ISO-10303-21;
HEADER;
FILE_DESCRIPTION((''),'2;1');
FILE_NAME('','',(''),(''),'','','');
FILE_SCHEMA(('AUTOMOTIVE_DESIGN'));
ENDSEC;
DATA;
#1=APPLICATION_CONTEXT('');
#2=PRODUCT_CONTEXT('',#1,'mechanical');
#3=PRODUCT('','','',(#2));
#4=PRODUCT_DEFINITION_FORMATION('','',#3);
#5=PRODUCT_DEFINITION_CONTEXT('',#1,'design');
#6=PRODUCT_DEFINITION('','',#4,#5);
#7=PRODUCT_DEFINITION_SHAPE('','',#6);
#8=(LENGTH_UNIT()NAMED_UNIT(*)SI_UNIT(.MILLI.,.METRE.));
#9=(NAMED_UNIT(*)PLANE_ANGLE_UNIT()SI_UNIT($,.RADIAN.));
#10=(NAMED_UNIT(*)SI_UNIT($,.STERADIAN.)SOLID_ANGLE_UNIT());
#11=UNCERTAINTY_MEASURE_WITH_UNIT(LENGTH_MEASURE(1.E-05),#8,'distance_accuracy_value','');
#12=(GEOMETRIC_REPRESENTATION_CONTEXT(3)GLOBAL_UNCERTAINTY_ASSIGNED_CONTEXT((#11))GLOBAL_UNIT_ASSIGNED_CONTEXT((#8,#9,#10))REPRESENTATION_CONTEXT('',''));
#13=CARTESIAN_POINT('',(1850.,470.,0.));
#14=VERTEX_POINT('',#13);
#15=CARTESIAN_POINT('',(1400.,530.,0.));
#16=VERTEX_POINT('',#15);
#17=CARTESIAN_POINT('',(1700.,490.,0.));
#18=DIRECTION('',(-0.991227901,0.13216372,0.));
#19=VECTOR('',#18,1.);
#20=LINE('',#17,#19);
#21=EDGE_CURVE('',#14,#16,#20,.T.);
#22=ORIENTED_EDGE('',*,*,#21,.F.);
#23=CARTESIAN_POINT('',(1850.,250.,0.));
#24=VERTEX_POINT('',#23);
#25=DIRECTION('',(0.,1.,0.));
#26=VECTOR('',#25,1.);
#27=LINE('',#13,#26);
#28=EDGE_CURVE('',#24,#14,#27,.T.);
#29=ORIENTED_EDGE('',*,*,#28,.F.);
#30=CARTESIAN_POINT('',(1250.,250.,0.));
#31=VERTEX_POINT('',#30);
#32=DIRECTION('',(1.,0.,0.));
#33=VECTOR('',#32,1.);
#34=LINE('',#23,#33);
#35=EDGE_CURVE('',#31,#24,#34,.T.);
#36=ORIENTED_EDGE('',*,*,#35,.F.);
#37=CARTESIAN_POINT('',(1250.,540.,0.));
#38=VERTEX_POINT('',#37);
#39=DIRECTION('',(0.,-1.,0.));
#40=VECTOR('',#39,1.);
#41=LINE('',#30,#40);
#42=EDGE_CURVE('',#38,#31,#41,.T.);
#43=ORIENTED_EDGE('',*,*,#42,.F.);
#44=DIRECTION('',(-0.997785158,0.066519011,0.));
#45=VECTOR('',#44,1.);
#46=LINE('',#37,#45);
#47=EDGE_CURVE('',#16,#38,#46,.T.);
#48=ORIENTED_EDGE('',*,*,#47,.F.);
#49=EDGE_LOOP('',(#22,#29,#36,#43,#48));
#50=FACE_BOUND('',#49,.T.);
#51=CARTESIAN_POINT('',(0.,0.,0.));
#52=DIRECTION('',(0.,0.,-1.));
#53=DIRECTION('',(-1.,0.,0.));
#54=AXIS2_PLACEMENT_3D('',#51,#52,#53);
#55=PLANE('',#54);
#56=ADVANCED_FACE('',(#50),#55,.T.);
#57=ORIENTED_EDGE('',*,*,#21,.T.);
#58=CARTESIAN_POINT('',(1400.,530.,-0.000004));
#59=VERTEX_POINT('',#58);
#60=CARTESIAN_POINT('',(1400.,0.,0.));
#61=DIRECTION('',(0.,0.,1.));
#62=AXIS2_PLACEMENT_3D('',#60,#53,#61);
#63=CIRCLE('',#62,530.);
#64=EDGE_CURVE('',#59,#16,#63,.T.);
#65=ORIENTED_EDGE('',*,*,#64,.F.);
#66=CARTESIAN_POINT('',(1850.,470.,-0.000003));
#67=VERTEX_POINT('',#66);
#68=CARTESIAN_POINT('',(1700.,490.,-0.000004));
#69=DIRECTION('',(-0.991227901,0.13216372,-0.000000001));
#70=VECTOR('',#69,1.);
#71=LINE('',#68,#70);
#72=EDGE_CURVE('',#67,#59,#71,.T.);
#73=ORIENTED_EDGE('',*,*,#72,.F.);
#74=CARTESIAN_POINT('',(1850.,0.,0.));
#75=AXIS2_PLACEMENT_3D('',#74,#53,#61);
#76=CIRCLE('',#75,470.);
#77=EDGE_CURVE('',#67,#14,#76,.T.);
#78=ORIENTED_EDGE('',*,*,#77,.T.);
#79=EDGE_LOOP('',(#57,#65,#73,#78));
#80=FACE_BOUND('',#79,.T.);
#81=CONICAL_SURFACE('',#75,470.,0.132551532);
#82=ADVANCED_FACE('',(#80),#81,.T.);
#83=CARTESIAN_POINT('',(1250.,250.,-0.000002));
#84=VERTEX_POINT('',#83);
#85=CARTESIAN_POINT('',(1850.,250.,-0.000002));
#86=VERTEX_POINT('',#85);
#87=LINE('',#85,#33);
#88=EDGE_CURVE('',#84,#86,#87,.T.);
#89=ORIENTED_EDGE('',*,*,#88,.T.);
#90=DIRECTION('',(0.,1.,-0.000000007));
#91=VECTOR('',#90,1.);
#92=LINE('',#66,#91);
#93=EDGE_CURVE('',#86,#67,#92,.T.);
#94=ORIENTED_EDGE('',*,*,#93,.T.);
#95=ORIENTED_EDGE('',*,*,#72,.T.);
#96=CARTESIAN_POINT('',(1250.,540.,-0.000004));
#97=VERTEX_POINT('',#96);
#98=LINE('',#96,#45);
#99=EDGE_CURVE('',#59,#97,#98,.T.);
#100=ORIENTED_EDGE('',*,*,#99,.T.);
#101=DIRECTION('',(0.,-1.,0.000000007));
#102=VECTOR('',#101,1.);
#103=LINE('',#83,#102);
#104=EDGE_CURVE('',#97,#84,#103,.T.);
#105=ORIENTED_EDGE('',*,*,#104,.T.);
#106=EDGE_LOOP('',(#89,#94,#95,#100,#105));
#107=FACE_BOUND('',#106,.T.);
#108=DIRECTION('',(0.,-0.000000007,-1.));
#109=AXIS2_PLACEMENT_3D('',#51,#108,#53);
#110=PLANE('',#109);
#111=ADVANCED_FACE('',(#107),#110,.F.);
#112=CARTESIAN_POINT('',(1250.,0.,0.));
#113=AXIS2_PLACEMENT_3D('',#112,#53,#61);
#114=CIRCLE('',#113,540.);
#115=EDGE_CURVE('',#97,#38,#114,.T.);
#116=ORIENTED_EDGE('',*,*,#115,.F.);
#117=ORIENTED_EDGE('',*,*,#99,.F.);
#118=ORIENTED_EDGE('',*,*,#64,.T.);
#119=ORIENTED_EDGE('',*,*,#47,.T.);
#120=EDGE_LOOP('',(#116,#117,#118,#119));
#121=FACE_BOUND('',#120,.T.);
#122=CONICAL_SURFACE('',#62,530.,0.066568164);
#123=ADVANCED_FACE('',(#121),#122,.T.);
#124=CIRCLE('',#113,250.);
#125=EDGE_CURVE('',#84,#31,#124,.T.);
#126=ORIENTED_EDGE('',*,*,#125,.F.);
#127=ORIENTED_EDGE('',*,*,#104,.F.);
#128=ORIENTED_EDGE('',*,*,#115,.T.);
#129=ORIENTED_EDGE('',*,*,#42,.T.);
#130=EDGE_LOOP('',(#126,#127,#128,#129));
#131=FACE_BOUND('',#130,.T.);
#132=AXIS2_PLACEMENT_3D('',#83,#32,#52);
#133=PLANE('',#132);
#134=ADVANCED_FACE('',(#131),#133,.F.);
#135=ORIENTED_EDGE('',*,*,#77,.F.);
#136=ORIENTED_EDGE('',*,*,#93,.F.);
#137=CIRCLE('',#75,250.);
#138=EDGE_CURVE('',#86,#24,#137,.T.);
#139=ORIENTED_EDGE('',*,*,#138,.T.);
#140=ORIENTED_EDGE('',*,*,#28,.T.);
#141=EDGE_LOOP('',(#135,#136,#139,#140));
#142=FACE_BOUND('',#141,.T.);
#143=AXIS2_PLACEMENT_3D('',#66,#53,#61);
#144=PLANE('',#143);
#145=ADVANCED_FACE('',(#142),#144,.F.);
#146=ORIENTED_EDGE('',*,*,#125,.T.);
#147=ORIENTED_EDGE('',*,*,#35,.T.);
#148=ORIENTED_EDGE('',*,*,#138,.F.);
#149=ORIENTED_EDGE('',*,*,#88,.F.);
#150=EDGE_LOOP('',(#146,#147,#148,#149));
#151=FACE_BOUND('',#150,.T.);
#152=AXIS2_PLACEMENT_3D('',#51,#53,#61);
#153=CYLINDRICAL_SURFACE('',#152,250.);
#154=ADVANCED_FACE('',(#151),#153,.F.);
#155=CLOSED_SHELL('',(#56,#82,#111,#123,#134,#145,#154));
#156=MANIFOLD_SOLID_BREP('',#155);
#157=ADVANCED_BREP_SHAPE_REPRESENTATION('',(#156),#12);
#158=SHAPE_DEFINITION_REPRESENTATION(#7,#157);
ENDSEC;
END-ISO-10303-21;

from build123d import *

# Parameters (mm, degrees)
REVOLVE1_ANGLE = 359.999999589


with BuildPart() as part:
    # Sketch1 → Revolve1 (revolve)
    with BuildSketch(Plane.XY):
        Polygon((1250, 250), (1250, 540), (1400, 530), (1550, 510), (1700, 490), (1850, 470), (1850, 250), align=None)
    revolve(axis=Axis((0, 0, 0), (1, 0, 0)), revolution_arc=REVOLVE1_ANGLE)


solid = part.part
